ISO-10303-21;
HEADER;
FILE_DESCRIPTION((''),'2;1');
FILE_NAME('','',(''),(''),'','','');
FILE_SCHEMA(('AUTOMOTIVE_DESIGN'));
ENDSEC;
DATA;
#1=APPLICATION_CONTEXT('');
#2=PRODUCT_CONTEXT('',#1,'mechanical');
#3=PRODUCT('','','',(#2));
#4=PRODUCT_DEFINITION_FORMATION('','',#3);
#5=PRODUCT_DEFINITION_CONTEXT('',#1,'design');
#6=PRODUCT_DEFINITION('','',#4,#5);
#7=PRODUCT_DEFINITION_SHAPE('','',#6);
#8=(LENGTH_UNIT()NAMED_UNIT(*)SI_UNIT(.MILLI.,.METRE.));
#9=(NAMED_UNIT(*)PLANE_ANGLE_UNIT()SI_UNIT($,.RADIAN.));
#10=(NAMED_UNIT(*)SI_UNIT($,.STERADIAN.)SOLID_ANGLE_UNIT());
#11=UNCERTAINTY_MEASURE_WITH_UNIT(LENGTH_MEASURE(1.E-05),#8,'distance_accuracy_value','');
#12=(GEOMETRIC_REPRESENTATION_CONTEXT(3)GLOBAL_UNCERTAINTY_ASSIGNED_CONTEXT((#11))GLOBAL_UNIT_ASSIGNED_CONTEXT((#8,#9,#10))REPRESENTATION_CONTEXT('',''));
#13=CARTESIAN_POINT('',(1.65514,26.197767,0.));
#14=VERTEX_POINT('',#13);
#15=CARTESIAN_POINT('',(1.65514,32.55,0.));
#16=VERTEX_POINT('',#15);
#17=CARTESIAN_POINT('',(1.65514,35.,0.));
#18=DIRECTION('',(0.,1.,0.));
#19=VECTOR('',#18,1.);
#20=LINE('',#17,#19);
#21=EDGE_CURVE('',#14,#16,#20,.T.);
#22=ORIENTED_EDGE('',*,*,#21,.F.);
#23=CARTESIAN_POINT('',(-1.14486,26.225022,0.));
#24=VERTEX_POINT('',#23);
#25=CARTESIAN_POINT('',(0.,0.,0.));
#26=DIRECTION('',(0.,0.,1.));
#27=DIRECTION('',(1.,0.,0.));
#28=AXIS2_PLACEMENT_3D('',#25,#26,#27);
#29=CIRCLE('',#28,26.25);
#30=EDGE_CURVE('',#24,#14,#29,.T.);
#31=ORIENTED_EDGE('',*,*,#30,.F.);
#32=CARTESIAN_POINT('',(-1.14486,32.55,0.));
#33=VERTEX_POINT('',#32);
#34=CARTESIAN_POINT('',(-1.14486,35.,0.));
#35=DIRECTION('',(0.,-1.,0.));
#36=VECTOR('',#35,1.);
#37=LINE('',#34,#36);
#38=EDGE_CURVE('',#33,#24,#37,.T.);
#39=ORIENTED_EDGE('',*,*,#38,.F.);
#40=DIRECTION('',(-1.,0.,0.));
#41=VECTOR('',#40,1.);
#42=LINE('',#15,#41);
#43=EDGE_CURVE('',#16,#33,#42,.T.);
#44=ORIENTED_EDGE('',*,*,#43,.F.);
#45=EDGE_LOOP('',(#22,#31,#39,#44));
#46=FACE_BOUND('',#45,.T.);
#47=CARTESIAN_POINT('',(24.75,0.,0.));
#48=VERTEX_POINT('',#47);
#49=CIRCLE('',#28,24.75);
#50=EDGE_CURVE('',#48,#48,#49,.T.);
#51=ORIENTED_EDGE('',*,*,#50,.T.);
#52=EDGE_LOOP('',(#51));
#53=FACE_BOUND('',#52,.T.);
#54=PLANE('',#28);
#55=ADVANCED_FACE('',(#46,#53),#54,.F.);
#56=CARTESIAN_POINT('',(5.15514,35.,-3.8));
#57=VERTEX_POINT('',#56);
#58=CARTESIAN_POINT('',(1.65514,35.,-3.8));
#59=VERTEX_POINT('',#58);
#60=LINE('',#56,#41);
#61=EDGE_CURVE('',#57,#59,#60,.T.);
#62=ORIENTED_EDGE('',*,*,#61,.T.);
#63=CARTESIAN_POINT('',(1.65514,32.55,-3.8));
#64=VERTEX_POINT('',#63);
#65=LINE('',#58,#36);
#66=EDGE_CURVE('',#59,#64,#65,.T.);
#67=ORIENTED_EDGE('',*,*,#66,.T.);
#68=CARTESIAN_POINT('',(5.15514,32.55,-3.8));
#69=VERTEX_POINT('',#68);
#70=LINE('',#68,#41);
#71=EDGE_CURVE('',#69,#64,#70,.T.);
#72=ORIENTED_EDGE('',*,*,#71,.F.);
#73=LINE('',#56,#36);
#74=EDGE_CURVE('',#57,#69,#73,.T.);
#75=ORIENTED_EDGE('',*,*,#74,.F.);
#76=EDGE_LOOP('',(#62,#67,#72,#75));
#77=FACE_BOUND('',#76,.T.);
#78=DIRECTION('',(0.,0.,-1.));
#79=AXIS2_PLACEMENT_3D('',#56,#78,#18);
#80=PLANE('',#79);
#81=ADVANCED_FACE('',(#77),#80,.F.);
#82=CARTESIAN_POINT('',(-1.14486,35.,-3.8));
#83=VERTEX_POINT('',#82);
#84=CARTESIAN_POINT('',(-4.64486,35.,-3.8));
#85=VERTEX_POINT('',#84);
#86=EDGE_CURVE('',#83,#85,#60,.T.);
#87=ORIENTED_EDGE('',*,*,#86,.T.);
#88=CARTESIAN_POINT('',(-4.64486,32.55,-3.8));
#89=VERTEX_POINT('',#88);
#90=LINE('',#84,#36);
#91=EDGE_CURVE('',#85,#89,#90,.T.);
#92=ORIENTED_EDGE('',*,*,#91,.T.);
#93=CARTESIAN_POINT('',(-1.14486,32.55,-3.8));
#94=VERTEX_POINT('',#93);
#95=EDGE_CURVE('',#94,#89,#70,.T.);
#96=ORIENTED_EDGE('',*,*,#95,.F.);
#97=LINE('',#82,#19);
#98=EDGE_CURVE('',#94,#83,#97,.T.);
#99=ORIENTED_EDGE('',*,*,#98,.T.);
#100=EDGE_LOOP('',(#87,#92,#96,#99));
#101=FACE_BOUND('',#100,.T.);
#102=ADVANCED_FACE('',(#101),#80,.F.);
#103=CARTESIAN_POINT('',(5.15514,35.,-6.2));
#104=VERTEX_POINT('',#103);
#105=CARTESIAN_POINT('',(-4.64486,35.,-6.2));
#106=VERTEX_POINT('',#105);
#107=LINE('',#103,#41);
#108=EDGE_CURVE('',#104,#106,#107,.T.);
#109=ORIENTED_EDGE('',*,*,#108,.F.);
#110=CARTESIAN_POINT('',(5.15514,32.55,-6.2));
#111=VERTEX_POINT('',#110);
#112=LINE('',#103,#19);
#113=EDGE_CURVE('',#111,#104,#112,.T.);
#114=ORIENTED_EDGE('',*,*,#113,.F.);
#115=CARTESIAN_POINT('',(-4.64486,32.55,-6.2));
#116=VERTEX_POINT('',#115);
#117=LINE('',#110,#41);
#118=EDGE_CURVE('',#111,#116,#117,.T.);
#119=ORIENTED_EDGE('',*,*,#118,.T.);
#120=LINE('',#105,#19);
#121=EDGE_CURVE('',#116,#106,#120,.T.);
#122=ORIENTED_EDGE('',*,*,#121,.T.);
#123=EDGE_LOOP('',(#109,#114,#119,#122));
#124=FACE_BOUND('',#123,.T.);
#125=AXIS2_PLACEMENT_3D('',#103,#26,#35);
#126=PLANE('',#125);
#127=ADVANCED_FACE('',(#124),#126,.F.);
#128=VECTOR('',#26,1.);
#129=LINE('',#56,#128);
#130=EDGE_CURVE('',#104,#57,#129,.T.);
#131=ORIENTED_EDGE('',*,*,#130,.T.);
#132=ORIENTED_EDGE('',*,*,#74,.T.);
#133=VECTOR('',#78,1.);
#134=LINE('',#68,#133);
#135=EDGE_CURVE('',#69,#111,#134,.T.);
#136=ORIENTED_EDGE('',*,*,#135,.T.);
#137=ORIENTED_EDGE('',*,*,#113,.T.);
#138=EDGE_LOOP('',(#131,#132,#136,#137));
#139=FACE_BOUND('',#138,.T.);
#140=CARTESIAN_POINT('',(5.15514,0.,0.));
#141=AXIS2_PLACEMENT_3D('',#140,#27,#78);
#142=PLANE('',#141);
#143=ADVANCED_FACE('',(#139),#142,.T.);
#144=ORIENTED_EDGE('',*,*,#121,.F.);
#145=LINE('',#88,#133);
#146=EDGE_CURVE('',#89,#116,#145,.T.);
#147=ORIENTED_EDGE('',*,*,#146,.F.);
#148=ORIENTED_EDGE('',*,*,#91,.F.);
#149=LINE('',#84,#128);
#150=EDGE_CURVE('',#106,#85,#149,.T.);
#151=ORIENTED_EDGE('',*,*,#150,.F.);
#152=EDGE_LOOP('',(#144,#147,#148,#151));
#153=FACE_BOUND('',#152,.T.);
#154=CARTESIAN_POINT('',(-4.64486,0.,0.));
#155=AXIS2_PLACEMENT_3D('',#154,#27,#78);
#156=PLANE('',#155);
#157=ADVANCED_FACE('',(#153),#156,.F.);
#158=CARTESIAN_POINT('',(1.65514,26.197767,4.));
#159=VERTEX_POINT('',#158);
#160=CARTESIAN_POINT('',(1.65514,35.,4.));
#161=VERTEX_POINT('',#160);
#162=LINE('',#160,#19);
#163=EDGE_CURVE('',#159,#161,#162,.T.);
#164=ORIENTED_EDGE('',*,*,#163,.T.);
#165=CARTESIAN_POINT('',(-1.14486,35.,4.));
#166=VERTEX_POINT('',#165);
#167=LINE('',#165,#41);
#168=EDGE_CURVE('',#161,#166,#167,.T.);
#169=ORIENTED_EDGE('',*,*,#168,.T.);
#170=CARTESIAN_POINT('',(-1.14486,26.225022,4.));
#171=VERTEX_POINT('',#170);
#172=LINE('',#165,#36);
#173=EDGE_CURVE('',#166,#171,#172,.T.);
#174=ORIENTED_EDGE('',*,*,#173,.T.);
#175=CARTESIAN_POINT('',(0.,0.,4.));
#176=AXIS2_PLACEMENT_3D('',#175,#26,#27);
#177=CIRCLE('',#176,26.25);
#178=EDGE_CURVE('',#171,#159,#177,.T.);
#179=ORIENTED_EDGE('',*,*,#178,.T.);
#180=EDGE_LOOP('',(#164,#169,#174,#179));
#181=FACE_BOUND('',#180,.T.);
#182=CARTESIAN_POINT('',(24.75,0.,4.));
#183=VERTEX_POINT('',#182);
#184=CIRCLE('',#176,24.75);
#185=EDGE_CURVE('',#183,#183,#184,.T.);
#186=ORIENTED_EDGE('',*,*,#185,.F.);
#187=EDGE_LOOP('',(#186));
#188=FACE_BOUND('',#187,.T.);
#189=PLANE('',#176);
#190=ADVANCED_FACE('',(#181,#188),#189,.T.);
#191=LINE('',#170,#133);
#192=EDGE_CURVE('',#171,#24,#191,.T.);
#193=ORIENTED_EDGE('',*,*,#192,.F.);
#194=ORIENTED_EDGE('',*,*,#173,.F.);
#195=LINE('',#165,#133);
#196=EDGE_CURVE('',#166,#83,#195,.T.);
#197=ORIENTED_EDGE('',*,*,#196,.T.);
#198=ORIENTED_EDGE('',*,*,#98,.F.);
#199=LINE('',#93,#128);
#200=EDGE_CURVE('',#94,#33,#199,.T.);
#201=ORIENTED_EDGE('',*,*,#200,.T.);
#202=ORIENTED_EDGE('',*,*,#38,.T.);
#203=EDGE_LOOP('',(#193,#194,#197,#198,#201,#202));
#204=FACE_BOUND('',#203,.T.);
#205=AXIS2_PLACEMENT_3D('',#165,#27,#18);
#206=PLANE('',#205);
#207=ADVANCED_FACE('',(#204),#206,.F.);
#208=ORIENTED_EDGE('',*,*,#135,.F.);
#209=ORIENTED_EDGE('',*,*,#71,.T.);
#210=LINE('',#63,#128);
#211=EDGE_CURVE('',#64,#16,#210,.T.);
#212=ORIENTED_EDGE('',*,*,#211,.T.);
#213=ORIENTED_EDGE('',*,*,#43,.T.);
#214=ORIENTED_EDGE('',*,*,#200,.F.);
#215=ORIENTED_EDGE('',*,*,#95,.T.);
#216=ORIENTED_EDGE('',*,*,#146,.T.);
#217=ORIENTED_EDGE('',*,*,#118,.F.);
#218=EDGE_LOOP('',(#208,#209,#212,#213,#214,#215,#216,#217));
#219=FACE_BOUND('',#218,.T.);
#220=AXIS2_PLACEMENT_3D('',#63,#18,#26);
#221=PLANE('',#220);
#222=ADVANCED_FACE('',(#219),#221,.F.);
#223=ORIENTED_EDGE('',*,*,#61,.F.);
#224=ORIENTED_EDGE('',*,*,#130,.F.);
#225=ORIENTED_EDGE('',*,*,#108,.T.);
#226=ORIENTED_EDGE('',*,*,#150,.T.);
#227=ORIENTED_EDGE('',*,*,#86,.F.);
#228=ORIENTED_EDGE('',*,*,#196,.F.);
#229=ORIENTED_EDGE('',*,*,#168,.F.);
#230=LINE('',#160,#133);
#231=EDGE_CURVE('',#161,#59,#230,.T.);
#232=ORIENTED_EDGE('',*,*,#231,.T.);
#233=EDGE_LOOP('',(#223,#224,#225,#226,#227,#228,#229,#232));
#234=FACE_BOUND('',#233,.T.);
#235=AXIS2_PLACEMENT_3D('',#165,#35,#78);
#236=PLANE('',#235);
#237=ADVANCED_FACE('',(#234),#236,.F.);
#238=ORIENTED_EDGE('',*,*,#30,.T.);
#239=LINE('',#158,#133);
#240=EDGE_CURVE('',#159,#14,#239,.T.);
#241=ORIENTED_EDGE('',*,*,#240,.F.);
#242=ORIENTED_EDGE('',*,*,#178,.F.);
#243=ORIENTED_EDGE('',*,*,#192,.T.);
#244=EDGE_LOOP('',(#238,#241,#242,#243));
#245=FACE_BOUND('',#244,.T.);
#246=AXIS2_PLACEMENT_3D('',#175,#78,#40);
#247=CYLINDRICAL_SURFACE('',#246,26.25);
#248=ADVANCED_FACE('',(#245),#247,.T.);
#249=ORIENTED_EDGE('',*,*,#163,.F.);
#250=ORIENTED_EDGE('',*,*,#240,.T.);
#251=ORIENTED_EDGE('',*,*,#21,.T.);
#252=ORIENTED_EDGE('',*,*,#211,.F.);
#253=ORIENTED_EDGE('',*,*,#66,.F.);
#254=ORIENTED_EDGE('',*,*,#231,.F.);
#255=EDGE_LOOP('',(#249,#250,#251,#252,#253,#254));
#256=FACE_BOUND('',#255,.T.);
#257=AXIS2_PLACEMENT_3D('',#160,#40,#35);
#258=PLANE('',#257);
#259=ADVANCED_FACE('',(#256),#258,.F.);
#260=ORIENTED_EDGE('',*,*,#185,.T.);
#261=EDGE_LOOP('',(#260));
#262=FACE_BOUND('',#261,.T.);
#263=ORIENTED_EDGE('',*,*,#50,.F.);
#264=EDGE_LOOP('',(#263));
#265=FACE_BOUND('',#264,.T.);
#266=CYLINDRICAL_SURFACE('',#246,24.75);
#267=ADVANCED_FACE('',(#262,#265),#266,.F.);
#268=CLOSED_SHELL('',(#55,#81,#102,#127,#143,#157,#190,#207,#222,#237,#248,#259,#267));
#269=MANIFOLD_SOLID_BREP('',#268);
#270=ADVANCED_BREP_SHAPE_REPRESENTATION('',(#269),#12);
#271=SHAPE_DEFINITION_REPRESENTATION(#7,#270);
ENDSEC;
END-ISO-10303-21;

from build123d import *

# Parameters (mm, degrees)
SKETCH2_R           = 24.75
BOSS_EXTRUDE1_DEPTH = 4
SKETCH3_W           = 2.8
SKETCH3_H           = 2.45
BOSS_EXTRUDE2_DEPTH = 3.8
BOSS_EXTRUDE3_START = -6.3
SKETCH4_W           = 2.4
SKETCH4_H           = 2.45
BOSS_EXTRUDE3_DEPTH = 9.8


with BuildPart() as part:
    # Sketch2 → Boss-Extrude1 (new body)
    with BuildSketch(Plane.XY):
        with BuildLine():
            Line((-1.144859813, 35), (1.655140187, 35))
            Line((1.655140187, 35), (1.655140187, 26.19776729))
            ThreePointArc((1.655140187, 26.19776729), (-0.255503863, -26.2487565), (-1.144859813, 26.225022326))
            Line((-1.144859813, 26.225022326), (-1.144859813, 35))
        make_face()
        Circle(SKETCH2_R, mode=Mode.SUBTRACT)
    extrude(amount=BOSS_EXTRUDE1_DEPTH)

    # Sketch3 → Boss-Extrude2 (add)
    with BuildSketch(Plane(origin=(0, 0, 0), x_dir=(-1, 0, 0), z_dir=(0, 0, -1))):
        with Locations((-0.255140187, 33.775)):
            Rectangle(SKETCH3_W, SKETCH3_H)
    extrude(amount=BOSS_EXTRUDE2_DEPTH)

    # Sketch4 → Boss-Extrude3 (add)
    with BuildSketch(Plane(origin=(1.655140187, 0, 0), x_dir=(0, 0, -1), z_dir=(1, 0, 0)).offset(BOSS_EXTRUDE3_START)):
        with Locations((5, 33.775)):
            Rectangle(SKETCH4_W, SKETCH4_H)
    extrude(amount=BOSS_EXTRUDE3_DEPTH)


solid = part.part
